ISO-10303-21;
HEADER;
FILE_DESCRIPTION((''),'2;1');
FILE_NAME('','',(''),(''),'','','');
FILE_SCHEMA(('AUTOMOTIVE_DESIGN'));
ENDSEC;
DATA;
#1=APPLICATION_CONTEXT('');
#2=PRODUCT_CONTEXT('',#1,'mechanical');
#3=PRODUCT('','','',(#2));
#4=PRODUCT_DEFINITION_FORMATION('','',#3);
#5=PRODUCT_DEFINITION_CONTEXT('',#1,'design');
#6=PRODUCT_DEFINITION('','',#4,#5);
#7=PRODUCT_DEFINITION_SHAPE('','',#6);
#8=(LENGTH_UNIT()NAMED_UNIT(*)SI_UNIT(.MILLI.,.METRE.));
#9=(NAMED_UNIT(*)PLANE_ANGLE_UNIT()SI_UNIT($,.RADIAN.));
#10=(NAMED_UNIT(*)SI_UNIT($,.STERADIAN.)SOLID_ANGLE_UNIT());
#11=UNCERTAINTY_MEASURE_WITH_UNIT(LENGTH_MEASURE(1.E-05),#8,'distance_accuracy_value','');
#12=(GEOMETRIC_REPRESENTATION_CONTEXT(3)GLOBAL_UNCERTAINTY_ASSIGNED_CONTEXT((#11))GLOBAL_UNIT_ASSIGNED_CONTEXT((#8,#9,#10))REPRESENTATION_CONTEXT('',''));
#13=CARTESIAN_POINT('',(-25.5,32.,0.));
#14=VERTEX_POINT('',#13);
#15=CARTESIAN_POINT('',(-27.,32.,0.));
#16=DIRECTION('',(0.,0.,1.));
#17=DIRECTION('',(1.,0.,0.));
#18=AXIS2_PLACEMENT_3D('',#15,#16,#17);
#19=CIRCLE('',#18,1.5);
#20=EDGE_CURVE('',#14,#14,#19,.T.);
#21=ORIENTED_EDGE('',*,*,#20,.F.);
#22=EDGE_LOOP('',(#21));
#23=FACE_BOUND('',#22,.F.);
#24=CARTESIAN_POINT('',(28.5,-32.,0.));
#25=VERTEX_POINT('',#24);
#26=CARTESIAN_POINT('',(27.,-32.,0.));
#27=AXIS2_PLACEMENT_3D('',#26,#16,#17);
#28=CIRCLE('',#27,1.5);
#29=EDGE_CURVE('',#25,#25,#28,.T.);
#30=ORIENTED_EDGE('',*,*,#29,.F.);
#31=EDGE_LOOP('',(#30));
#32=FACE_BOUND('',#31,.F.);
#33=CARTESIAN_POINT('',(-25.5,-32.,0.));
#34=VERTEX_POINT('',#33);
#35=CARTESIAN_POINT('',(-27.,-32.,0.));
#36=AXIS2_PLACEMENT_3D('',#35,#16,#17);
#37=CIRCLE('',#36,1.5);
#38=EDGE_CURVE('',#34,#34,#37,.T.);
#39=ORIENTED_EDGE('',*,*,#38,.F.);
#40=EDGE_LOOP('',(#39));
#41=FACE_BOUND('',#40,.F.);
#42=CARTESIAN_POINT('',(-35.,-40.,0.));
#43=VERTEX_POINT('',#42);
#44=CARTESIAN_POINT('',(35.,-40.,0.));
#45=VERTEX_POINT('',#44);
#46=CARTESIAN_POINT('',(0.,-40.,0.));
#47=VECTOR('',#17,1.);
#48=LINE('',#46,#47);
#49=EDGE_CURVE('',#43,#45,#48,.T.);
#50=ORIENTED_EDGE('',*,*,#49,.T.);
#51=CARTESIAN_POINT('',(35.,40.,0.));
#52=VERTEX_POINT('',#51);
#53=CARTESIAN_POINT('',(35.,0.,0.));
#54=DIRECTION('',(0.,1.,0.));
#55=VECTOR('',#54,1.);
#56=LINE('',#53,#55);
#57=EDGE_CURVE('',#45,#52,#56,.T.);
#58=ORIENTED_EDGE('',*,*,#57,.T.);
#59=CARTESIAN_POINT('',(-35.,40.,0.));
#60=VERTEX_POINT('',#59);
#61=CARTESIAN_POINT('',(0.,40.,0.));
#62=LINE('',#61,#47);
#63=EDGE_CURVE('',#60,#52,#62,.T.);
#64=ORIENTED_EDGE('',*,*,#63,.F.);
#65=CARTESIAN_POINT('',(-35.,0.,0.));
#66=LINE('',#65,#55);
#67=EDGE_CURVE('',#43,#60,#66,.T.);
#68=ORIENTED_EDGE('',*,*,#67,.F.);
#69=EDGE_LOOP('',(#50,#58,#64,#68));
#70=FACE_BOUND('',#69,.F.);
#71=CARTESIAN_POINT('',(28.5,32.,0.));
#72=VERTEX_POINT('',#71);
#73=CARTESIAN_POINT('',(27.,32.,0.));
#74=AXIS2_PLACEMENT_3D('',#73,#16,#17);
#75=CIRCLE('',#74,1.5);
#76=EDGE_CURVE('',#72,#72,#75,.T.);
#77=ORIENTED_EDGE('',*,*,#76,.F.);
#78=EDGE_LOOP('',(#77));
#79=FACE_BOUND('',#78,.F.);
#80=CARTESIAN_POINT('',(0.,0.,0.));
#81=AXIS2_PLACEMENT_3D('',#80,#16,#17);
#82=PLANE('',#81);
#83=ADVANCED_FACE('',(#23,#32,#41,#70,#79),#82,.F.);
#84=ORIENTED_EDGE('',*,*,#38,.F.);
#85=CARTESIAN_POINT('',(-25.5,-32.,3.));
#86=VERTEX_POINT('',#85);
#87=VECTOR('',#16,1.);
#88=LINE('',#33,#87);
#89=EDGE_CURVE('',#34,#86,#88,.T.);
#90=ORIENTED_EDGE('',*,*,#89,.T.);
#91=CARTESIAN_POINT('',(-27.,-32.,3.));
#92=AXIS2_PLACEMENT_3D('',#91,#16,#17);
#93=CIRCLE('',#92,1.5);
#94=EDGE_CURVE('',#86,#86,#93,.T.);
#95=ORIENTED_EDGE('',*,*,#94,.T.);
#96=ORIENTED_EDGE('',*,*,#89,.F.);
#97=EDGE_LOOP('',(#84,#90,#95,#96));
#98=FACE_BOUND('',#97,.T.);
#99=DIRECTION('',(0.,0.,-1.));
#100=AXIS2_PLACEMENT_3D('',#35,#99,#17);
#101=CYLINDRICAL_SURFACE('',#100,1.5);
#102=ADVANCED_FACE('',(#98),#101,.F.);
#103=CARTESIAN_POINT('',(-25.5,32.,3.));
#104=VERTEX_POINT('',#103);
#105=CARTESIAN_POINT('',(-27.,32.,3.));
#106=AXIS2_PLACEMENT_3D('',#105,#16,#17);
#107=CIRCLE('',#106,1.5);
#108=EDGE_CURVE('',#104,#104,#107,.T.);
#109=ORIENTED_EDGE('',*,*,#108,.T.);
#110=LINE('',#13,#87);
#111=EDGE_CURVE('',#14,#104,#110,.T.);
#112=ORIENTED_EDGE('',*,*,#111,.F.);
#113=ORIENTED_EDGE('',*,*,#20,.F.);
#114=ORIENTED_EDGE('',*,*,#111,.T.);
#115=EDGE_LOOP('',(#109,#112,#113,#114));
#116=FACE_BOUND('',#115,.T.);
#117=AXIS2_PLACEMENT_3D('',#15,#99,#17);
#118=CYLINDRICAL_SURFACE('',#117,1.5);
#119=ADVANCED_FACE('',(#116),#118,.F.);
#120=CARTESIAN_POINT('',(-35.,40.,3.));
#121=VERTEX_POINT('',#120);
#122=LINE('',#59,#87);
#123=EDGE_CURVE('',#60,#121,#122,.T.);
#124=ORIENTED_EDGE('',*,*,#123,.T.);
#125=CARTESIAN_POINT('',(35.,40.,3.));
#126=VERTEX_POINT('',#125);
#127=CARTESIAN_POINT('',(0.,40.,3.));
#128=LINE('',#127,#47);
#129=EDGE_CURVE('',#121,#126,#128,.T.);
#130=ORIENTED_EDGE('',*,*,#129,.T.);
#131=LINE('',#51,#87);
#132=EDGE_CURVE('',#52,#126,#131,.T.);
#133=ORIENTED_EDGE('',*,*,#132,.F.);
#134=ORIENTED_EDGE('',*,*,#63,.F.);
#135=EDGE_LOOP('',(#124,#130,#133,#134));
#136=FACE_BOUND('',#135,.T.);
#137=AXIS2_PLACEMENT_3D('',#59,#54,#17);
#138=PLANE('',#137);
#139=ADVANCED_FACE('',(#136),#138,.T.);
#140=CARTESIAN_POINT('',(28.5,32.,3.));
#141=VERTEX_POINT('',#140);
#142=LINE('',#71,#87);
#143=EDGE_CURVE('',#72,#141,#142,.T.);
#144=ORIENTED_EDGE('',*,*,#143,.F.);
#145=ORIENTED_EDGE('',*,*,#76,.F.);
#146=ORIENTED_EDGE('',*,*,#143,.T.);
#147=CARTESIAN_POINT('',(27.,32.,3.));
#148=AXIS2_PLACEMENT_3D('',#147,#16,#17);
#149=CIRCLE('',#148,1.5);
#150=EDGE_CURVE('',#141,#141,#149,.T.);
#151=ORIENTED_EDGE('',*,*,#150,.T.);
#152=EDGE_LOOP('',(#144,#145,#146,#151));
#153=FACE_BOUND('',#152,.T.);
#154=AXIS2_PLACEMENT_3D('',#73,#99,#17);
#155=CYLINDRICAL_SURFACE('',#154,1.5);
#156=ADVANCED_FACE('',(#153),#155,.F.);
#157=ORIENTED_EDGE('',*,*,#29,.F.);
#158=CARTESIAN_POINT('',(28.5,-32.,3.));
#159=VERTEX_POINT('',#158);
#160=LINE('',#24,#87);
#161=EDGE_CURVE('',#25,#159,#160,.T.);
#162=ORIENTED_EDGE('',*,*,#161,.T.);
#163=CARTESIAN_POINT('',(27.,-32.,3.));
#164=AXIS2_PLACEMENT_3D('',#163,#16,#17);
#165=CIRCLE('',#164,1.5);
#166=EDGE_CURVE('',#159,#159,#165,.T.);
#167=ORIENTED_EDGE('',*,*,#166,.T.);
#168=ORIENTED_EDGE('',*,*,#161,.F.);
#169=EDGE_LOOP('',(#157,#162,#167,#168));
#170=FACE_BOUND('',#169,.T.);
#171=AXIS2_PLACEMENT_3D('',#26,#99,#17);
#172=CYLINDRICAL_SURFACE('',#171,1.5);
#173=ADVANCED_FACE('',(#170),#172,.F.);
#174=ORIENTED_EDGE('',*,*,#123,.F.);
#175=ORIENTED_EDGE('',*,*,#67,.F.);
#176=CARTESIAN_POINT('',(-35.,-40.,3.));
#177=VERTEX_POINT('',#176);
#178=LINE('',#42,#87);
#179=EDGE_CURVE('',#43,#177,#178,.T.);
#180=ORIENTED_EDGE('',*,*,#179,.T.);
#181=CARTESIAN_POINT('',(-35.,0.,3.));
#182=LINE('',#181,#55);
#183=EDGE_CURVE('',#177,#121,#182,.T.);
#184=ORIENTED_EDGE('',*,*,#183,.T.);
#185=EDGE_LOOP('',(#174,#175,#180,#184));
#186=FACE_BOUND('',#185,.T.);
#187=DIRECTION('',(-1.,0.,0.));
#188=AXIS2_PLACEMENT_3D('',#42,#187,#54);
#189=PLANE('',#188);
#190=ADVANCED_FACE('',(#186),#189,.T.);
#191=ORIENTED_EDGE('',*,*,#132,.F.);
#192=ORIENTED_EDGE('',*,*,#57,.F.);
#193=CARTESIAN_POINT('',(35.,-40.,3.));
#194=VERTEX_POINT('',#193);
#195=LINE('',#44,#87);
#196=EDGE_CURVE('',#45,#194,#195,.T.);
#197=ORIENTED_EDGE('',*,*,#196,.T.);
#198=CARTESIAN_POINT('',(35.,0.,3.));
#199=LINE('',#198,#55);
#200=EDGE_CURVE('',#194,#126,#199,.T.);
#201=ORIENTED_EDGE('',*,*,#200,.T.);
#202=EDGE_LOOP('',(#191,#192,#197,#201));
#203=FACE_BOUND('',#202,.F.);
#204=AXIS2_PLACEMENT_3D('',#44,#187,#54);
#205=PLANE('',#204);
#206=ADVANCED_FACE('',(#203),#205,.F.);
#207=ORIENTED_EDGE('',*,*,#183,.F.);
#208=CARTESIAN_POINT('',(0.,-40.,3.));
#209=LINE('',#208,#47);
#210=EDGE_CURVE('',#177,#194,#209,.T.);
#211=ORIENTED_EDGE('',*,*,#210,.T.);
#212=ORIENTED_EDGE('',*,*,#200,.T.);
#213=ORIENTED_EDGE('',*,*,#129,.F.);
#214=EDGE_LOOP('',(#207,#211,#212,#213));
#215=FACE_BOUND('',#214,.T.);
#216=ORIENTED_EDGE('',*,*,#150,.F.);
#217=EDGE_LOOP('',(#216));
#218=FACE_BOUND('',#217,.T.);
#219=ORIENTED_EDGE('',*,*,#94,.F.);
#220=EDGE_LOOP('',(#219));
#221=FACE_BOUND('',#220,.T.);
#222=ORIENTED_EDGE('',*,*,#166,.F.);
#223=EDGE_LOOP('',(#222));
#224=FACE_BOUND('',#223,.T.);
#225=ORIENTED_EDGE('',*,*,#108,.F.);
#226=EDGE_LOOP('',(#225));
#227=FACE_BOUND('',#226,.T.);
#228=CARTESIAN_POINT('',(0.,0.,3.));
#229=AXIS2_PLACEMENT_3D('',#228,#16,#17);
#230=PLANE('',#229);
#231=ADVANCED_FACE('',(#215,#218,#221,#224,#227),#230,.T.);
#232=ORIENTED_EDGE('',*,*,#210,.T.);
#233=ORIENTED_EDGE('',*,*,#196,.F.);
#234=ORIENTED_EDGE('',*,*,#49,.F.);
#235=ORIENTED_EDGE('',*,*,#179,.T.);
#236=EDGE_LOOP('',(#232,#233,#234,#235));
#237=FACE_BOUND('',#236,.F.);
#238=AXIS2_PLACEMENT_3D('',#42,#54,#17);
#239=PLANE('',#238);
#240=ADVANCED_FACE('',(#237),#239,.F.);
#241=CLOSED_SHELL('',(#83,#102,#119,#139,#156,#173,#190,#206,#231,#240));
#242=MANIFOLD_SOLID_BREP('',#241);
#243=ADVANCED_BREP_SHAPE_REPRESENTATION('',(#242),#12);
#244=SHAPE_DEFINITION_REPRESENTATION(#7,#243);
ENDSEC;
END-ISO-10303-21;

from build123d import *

# Parameters (mm, degrees)
SKETCH_W  = 70
SKETCH_H  = 80
SKETCH_R  = 1.5
PAD_DEPTH = 3


with BuildPart() as part:
    # Sketch → Pad (new body)
    with BuildSketch(Plane.XY):
        Rectangle(SKETCH_W, SKETCH_H)
        with Locations((-27, 32)):
            Circle(SKETCH_R, mode=Mode.SUBTRACT)
        with Locations((27, 32)):
            Circle(SKETCH_R, mode=Mode.SUBTRACT)
        with Locations((27, -32)):
            Circle(SKETCH_R, mode=Mode.SUBTRACT)
        with Locations((-27, -32)):
            Circle(SKETCH_R, mode=Mode.SUBTRACT)
    extrude(amount=PAD_DEPTH)


solid = part.part
